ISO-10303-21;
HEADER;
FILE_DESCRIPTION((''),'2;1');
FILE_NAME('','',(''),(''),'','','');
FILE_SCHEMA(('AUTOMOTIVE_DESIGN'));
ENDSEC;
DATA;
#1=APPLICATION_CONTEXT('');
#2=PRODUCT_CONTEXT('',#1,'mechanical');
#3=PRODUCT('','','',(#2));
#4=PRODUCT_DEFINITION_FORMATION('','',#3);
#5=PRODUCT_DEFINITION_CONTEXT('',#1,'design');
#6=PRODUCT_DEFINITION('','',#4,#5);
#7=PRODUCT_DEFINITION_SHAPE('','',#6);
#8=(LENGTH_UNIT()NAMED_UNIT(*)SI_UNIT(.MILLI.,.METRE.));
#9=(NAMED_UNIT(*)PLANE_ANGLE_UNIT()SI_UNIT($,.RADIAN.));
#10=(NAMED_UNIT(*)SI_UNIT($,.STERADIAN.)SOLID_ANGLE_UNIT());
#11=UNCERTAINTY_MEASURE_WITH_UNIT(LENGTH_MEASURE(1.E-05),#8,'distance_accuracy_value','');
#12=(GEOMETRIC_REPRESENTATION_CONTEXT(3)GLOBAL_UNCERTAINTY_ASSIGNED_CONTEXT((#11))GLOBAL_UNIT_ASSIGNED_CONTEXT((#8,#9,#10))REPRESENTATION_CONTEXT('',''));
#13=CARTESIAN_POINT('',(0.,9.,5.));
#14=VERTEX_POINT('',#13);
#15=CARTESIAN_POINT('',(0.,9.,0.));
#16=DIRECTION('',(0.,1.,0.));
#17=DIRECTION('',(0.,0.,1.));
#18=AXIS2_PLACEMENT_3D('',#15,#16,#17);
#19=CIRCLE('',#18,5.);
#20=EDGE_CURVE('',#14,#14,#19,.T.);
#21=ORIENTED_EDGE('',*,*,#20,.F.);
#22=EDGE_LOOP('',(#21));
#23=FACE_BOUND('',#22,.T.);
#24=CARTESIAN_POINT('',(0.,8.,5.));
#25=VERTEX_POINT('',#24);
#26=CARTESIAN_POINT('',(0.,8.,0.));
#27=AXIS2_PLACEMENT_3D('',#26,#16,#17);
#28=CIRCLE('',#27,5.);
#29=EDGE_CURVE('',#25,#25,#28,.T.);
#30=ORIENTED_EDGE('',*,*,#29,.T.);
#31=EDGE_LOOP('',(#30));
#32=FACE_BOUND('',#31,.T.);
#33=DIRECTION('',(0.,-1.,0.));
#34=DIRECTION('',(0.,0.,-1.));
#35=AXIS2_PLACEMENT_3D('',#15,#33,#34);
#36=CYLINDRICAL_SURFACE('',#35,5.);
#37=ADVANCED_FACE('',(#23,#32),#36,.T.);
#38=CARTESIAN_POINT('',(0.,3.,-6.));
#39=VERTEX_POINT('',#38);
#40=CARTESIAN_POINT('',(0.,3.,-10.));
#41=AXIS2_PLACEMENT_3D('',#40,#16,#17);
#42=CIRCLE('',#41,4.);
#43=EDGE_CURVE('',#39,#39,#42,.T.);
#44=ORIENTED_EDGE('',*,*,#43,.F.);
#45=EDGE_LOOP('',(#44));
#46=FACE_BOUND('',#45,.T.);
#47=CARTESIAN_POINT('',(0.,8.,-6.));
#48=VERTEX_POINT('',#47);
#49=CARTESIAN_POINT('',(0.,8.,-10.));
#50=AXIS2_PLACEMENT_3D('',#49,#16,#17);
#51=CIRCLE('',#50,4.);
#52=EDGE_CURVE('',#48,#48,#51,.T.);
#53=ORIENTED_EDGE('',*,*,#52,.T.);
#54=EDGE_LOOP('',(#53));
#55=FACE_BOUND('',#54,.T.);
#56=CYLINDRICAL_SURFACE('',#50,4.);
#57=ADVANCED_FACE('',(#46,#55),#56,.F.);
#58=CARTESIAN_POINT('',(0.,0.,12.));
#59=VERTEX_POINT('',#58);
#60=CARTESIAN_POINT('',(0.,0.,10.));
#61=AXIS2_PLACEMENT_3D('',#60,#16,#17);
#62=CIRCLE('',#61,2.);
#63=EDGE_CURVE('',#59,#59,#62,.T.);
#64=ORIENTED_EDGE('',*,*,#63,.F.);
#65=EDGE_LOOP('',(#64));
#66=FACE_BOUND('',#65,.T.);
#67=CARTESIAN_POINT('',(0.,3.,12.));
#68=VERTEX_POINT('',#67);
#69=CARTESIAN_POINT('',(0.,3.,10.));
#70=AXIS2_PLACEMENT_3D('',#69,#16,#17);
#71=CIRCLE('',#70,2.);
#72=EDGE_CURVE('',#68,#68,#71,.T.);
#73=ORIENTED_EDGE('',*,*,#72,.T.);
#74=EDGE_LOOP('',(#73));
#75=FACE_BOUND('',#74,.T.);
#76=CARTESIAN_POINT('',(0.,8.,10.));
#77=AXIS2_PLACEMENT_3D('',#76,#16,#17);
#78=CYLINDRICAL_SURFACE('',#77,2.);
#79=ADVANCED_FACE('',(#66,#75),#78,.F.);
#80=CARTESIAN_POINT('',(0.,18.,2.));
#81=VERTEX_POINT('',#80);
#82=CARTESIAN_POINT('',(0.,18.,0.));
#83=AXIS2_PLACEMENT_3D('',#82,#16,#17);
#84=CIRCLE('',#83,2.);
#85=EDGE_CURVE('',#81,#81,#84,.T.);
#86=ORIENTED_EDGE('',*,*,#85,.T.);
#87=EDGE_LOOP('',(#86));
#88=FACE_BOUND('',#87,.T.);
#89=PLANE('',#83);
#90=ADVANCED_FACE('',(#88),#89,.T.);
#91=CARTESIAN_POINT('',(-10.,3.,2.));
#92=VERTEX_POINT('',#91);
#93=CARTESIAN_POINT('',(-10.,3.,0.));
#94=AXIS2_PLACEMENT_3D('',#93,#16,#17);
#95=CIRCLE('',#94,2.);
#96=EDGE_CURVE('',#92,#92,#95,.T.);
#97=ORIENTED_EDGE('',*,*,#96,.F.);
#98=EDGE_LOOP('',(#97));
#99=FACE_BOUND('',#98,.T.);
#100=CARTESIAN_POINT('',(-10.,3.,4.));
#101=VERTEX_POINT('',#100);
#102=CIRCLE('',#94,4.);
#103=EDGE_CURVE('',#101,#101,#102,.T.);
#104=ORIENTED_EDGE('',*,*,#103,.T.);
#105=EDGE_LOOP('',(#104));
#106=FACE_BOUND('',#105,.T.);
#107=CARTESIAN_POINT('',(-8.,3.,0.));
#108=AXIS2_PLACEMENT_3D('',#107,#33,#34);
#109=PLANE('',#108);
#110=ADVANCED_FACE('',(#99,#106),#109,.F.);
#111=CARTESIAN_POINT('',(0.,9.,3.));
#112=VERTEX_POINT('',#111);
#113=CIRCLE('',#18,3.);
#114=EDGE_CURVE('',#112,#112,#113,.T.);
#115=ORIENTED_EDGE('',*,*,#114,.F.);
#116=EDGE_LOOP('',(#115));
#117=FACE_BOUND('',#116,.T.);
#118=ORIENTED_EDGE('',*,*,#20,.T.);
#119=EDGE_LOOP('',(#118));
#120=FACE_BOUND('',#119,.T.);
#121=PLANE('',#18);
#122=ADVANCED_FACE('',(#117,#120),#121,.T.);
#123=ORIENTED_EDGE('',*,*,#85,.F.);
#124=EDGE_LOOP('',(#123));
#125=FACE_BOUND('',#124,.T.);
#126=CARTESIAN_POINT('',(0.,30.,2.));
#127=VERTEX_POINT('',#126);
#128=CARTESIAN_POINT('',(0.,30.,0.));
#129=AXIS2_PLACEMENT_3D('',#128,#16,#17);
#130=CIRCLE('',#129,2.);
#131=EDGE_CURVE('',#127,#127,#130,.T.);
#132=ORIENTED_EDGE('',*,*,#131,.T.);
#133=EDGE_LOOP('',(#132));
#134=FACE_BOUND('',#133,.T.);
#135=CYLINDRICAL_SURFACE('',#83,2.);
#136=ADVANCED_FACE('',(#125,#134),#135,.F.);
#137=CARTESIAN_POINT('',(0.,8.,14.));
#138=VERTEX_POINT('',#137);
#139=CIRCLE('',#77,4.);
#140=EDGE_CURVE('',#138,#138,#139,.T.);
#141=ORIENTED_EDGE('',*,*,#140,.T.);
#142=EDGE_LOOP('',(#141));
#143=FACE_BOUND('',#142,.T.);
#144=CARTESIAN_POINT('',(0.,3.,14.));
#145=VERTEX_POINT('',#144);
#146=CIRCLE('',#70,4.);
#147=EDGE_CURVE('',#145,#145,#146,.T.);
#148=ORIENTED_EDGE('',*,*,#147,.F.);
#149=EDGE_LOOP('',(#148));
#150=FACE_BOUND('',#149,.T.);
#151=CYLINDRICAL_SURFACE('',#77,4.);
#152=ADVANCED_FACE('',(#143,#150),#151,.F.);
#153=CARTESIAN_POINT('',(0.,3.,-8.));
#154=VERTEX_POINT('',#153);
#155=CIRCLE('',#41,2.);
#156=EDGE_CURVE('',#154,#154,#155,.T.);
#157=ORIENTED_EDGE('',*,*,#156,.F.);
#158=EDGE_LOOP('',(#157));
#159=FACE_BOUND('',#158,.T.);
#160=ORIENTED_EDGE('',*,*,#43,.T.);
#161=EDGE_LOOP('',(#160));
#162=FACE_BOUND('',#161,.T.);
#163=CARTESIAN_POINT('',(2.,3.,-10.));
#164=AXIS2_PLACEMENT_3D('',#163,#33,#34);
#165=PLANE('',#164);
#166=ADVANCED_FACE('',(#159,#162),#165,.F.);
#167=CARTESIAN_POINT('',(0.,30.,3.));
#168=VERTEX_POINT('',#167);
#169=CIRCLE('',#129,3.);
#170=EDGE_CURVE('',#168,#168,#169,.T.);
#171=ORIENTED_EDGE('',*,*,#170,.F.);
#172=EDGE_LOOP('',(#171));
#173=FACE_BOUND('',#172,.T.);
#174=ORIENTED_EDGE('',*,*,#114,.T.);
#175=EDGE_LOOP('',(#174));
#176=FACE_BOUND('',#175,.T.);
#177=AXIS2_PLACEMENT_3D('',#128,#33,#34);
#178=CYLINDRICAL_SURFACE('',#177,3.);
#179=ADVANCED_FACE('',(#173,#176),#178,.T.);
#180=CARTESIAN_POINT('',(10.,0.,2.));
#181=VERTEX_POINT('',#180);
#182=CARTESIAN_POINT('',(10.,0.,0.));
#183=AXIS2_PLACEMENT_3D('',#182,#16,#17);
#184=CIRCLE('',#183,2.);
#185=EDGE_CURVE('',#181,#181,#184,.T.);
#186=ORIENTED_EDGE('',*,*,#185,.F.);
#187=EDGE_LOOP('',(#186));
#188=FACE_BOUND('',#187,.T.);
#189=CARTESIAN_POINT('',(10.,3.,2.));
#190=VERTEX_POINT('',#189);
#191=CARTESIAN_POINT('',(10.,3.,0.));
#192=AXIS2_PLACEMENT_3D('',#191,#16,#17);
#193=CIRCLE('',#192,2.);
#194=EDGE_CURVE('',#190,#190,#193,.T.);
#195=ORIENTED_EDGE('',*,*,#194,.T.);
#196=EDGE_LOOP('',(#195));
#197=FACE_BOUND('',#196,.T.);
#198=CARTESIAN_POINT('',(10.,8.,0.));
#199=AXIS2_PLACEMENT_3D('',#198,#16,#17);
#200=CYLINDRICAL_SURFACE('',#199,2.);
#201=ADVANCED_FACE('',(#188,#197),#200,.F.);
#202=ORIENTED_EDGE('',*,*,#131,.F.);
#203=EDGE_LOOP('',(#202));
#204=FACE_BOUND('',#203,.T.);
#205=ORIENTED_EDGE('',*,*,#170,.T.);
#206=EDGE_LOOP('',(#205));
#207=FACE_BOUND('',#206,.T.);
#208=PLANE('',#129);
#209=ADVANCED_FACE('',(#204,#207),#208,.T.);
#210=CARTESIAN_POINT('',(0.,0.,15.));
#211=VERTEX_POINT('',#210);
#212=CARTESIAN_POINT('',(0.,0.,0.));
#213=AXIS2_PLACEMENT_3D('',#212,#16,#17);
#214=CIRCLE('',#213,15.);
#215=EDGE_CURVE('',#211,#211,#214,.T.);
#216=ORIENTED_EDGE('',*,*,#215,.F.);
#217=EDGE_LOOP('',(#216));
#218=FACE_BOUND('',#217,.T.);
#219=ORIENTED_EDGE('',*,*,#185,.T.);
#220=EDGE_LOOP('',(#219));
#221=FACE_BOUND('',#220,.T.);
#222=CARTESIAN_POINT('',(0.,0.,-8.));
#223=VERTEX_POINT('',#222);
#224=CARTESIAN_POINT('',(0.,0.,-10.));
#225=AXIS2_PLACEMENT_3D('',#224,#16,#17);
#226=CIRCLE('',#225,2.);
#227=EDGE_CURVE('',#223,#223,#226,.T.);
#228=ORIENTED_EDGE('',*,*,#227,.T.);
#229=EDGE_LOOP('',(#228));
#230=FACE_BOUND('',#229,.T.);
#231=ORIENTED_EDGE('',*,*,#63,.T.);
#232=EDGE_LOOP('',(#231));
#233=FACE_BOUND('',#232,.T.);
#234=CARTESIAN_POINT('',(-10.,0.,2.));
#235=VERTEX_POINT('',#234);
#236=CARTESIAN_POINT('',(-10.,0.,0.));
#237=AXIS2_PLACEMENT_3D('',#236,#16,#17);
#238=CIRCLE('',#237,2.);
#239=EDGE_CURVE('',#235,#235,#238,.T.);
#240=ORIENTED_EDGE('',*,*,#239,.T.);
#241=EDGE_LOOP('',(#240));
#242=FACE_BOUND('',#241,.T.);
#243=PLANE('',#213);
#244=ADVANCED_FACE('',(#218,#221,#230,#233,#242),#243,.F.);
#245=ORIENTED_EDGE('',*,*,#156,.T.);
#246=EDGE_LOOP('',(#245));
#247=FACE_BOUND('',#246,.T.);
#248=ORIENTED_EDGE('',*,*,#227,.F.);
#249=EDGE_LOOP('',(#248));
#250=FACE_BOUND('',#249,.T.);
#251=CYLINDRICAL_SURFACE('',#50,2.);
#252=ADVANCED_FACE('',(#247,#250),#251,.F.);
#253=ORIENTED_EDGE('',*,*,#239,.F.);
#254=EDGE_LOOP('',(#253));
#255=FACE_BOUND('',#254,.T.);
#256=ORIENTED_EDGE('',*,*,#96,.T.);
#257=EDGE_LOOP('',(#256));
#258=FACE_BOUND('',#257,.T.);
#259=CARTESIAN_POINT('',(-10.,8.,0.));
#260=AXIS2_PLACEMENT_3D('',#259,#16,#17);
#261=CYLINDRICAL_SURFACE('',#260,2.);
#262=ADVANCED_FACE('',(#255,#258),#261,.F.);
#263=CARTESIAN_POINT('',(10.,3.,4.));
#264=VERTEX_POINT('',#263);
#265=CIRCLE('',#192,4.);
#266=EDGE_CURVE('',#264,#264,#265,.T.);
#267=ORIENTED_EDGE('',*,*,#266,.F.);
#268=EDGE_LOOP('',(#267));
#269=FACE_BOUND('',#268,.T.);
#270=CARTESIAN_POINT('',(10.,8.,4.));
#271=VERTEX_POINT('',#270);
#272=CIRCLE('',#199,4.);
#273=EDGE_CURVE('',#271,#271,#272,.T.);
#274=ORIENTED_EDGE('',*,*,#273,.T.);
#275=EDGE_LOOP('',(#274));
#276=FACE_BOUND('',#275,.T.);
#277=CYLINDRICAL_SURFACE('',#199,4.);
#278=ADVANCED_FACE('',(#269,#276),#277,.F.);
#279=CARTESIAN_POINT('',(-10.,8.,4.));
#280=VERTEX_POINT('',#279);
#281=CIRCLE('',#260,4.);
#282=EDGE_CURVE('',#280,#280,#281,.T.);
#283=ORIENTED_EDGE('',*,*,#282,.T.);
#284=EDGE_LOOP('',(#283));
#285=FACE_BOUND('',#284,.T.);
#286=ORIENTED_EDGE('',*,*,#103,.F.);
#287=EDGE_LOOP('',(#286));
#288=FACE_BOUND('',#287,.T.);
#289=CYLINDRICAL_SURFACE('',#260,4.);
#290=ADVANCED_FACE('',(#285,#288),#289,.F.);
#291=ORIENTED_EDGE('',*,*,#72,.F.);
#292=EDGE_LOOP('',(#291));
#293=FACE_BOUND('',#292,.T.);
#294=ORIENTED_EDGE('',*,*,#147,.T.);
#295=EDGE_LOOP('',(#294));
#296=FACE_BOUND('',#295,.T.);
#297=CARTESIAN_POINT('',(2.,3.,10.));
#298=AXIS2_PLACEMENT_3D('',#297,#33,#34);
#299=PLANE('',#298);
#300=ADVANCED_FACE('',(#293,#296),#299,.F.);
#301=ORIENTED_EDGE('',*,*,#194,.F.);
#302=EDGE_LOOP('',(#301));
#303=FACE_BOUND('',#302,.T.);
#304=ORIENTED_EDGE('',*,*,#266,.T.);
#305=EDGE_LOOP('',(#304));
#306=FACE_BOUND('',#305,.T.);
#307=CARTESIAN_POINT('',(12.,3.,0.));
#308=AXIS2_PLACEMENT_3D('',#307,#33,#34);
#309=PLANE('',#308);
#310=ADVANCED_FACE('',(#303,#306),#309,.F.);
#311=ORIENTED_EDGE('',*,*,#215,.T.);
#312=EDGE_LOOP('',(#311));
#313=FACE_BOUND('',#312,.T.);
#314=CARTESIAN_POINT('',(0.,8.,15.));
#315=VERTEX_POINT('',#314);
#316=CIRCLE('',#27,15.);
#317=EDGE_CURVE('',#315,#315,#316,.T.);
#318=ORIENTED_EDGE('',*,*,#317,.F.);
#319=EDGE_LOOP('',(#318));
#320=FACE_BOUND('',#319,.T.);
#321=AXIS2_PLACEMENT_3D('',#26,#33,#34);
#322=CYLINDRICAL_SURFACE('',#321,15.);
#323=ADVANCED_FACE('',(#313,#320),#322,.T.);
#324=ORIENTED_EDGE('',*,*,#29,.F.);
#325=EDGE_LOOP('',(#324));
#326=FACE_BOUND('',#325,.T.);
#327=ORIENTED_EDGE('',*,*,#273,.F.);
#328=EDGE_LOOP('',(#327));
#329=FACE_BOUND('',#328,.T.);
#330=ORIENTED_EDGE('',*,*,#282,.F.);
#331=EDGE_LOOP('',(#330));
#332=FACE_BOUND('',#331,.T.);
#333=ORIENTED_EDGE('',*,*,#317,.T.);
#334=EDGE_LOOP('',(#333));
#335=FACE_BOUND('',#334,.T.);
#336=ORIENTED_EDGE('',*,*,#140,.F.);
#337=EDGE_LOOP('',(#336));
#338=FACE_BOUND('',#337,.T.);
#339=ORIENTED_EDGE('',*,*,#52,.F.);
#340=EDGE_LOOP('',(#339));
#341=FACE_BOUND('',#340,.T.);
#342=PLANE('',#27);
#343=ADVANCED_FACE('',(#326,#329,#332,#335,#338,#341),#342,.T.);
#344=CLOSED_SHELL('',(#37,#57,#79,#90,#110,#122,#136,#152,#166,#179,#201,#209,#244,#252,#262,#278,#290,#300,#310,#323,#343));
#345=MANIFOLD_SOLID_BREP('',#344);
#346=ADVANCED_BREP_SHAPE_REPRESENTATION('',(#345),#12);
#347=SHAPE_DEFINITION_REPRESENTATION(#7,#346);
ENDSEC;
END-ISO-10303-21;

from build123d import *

# Parameters (mm, degrees)
SKETCH1_R           = 15
BOSS_EXTRUDE1_DEPTH = 8
SKETCH2_R           = 5
BOSS_EXTRUDE2_DEPTH = 1
SKETCH3_R           = 3
BOSS_EXTRUDE3_DEPTH = 21
HOLE1_D             = 4
HOLE1_CBORE_D       = 8
HOLE1_CBORE_DEPTH   = 5
SKETCH8_R           = 2
CUT_EXTRUDE1_DEPTH  = 12


with BuildPart() as part:
    # Sketch1 → Boss-Extrude1 (new body)
    with BuildSketch(Plane(origin=(0, 0, 0), x_dir=(1, 0, 0), z_dir=(0, 1, 0))):
        Circle(SKETCH1_R)
    extrude(amount=BOSS_EXTRUDE1_DEPTH)

    # Sketch2 → Boss-Extrude2 (add)
    with BuildSketch(Plane(origin=(0, 8, 0), x_dir=(1, 0, 0), z_dir=(0, 1, 0))):
        Circle(SKETCH2_R)
    extrude(amount=BOSS_EXTRUDE2_DEPTH)

    # Sketch3 → Boss-Extrude3 (add)
    with BuildSketch(Plane(origin=(0, 9, 0), x_dir=(1, 0, 0), z_dir=(0, 1, 0))):
        Circle(SKETCH3_R)
    extrude(amount=BOSS_EXTRUDE3_DEPTH)

    # Hole1 (through all)
    with Locations(Plane(origin=(0, 8, 0), x_dir=(1, 0, 0), z_dir=(0, 1, 0))):
        with Locations((-10, 0), (0, 10), (10, 0), (0, -10)):
            CounterBoreHole(HOLE1_D / 2, HOLE1_CBORE_D / 2, HOLE1_CBORE_DEPTH)

    # Sketch8 → Cut-Extrude1 (cut)
    with BuildSketch(Plane(origin=(0, 30, 0), x_dir=(1, 0, 0), z_dir=(0, 1, 0))):
        Circle(SKETCH8_R)
    extrude(amount=-CUT_EXTRUDE1_DEPTH, mode=Mode.SUBTRACT)


solid = part.part
